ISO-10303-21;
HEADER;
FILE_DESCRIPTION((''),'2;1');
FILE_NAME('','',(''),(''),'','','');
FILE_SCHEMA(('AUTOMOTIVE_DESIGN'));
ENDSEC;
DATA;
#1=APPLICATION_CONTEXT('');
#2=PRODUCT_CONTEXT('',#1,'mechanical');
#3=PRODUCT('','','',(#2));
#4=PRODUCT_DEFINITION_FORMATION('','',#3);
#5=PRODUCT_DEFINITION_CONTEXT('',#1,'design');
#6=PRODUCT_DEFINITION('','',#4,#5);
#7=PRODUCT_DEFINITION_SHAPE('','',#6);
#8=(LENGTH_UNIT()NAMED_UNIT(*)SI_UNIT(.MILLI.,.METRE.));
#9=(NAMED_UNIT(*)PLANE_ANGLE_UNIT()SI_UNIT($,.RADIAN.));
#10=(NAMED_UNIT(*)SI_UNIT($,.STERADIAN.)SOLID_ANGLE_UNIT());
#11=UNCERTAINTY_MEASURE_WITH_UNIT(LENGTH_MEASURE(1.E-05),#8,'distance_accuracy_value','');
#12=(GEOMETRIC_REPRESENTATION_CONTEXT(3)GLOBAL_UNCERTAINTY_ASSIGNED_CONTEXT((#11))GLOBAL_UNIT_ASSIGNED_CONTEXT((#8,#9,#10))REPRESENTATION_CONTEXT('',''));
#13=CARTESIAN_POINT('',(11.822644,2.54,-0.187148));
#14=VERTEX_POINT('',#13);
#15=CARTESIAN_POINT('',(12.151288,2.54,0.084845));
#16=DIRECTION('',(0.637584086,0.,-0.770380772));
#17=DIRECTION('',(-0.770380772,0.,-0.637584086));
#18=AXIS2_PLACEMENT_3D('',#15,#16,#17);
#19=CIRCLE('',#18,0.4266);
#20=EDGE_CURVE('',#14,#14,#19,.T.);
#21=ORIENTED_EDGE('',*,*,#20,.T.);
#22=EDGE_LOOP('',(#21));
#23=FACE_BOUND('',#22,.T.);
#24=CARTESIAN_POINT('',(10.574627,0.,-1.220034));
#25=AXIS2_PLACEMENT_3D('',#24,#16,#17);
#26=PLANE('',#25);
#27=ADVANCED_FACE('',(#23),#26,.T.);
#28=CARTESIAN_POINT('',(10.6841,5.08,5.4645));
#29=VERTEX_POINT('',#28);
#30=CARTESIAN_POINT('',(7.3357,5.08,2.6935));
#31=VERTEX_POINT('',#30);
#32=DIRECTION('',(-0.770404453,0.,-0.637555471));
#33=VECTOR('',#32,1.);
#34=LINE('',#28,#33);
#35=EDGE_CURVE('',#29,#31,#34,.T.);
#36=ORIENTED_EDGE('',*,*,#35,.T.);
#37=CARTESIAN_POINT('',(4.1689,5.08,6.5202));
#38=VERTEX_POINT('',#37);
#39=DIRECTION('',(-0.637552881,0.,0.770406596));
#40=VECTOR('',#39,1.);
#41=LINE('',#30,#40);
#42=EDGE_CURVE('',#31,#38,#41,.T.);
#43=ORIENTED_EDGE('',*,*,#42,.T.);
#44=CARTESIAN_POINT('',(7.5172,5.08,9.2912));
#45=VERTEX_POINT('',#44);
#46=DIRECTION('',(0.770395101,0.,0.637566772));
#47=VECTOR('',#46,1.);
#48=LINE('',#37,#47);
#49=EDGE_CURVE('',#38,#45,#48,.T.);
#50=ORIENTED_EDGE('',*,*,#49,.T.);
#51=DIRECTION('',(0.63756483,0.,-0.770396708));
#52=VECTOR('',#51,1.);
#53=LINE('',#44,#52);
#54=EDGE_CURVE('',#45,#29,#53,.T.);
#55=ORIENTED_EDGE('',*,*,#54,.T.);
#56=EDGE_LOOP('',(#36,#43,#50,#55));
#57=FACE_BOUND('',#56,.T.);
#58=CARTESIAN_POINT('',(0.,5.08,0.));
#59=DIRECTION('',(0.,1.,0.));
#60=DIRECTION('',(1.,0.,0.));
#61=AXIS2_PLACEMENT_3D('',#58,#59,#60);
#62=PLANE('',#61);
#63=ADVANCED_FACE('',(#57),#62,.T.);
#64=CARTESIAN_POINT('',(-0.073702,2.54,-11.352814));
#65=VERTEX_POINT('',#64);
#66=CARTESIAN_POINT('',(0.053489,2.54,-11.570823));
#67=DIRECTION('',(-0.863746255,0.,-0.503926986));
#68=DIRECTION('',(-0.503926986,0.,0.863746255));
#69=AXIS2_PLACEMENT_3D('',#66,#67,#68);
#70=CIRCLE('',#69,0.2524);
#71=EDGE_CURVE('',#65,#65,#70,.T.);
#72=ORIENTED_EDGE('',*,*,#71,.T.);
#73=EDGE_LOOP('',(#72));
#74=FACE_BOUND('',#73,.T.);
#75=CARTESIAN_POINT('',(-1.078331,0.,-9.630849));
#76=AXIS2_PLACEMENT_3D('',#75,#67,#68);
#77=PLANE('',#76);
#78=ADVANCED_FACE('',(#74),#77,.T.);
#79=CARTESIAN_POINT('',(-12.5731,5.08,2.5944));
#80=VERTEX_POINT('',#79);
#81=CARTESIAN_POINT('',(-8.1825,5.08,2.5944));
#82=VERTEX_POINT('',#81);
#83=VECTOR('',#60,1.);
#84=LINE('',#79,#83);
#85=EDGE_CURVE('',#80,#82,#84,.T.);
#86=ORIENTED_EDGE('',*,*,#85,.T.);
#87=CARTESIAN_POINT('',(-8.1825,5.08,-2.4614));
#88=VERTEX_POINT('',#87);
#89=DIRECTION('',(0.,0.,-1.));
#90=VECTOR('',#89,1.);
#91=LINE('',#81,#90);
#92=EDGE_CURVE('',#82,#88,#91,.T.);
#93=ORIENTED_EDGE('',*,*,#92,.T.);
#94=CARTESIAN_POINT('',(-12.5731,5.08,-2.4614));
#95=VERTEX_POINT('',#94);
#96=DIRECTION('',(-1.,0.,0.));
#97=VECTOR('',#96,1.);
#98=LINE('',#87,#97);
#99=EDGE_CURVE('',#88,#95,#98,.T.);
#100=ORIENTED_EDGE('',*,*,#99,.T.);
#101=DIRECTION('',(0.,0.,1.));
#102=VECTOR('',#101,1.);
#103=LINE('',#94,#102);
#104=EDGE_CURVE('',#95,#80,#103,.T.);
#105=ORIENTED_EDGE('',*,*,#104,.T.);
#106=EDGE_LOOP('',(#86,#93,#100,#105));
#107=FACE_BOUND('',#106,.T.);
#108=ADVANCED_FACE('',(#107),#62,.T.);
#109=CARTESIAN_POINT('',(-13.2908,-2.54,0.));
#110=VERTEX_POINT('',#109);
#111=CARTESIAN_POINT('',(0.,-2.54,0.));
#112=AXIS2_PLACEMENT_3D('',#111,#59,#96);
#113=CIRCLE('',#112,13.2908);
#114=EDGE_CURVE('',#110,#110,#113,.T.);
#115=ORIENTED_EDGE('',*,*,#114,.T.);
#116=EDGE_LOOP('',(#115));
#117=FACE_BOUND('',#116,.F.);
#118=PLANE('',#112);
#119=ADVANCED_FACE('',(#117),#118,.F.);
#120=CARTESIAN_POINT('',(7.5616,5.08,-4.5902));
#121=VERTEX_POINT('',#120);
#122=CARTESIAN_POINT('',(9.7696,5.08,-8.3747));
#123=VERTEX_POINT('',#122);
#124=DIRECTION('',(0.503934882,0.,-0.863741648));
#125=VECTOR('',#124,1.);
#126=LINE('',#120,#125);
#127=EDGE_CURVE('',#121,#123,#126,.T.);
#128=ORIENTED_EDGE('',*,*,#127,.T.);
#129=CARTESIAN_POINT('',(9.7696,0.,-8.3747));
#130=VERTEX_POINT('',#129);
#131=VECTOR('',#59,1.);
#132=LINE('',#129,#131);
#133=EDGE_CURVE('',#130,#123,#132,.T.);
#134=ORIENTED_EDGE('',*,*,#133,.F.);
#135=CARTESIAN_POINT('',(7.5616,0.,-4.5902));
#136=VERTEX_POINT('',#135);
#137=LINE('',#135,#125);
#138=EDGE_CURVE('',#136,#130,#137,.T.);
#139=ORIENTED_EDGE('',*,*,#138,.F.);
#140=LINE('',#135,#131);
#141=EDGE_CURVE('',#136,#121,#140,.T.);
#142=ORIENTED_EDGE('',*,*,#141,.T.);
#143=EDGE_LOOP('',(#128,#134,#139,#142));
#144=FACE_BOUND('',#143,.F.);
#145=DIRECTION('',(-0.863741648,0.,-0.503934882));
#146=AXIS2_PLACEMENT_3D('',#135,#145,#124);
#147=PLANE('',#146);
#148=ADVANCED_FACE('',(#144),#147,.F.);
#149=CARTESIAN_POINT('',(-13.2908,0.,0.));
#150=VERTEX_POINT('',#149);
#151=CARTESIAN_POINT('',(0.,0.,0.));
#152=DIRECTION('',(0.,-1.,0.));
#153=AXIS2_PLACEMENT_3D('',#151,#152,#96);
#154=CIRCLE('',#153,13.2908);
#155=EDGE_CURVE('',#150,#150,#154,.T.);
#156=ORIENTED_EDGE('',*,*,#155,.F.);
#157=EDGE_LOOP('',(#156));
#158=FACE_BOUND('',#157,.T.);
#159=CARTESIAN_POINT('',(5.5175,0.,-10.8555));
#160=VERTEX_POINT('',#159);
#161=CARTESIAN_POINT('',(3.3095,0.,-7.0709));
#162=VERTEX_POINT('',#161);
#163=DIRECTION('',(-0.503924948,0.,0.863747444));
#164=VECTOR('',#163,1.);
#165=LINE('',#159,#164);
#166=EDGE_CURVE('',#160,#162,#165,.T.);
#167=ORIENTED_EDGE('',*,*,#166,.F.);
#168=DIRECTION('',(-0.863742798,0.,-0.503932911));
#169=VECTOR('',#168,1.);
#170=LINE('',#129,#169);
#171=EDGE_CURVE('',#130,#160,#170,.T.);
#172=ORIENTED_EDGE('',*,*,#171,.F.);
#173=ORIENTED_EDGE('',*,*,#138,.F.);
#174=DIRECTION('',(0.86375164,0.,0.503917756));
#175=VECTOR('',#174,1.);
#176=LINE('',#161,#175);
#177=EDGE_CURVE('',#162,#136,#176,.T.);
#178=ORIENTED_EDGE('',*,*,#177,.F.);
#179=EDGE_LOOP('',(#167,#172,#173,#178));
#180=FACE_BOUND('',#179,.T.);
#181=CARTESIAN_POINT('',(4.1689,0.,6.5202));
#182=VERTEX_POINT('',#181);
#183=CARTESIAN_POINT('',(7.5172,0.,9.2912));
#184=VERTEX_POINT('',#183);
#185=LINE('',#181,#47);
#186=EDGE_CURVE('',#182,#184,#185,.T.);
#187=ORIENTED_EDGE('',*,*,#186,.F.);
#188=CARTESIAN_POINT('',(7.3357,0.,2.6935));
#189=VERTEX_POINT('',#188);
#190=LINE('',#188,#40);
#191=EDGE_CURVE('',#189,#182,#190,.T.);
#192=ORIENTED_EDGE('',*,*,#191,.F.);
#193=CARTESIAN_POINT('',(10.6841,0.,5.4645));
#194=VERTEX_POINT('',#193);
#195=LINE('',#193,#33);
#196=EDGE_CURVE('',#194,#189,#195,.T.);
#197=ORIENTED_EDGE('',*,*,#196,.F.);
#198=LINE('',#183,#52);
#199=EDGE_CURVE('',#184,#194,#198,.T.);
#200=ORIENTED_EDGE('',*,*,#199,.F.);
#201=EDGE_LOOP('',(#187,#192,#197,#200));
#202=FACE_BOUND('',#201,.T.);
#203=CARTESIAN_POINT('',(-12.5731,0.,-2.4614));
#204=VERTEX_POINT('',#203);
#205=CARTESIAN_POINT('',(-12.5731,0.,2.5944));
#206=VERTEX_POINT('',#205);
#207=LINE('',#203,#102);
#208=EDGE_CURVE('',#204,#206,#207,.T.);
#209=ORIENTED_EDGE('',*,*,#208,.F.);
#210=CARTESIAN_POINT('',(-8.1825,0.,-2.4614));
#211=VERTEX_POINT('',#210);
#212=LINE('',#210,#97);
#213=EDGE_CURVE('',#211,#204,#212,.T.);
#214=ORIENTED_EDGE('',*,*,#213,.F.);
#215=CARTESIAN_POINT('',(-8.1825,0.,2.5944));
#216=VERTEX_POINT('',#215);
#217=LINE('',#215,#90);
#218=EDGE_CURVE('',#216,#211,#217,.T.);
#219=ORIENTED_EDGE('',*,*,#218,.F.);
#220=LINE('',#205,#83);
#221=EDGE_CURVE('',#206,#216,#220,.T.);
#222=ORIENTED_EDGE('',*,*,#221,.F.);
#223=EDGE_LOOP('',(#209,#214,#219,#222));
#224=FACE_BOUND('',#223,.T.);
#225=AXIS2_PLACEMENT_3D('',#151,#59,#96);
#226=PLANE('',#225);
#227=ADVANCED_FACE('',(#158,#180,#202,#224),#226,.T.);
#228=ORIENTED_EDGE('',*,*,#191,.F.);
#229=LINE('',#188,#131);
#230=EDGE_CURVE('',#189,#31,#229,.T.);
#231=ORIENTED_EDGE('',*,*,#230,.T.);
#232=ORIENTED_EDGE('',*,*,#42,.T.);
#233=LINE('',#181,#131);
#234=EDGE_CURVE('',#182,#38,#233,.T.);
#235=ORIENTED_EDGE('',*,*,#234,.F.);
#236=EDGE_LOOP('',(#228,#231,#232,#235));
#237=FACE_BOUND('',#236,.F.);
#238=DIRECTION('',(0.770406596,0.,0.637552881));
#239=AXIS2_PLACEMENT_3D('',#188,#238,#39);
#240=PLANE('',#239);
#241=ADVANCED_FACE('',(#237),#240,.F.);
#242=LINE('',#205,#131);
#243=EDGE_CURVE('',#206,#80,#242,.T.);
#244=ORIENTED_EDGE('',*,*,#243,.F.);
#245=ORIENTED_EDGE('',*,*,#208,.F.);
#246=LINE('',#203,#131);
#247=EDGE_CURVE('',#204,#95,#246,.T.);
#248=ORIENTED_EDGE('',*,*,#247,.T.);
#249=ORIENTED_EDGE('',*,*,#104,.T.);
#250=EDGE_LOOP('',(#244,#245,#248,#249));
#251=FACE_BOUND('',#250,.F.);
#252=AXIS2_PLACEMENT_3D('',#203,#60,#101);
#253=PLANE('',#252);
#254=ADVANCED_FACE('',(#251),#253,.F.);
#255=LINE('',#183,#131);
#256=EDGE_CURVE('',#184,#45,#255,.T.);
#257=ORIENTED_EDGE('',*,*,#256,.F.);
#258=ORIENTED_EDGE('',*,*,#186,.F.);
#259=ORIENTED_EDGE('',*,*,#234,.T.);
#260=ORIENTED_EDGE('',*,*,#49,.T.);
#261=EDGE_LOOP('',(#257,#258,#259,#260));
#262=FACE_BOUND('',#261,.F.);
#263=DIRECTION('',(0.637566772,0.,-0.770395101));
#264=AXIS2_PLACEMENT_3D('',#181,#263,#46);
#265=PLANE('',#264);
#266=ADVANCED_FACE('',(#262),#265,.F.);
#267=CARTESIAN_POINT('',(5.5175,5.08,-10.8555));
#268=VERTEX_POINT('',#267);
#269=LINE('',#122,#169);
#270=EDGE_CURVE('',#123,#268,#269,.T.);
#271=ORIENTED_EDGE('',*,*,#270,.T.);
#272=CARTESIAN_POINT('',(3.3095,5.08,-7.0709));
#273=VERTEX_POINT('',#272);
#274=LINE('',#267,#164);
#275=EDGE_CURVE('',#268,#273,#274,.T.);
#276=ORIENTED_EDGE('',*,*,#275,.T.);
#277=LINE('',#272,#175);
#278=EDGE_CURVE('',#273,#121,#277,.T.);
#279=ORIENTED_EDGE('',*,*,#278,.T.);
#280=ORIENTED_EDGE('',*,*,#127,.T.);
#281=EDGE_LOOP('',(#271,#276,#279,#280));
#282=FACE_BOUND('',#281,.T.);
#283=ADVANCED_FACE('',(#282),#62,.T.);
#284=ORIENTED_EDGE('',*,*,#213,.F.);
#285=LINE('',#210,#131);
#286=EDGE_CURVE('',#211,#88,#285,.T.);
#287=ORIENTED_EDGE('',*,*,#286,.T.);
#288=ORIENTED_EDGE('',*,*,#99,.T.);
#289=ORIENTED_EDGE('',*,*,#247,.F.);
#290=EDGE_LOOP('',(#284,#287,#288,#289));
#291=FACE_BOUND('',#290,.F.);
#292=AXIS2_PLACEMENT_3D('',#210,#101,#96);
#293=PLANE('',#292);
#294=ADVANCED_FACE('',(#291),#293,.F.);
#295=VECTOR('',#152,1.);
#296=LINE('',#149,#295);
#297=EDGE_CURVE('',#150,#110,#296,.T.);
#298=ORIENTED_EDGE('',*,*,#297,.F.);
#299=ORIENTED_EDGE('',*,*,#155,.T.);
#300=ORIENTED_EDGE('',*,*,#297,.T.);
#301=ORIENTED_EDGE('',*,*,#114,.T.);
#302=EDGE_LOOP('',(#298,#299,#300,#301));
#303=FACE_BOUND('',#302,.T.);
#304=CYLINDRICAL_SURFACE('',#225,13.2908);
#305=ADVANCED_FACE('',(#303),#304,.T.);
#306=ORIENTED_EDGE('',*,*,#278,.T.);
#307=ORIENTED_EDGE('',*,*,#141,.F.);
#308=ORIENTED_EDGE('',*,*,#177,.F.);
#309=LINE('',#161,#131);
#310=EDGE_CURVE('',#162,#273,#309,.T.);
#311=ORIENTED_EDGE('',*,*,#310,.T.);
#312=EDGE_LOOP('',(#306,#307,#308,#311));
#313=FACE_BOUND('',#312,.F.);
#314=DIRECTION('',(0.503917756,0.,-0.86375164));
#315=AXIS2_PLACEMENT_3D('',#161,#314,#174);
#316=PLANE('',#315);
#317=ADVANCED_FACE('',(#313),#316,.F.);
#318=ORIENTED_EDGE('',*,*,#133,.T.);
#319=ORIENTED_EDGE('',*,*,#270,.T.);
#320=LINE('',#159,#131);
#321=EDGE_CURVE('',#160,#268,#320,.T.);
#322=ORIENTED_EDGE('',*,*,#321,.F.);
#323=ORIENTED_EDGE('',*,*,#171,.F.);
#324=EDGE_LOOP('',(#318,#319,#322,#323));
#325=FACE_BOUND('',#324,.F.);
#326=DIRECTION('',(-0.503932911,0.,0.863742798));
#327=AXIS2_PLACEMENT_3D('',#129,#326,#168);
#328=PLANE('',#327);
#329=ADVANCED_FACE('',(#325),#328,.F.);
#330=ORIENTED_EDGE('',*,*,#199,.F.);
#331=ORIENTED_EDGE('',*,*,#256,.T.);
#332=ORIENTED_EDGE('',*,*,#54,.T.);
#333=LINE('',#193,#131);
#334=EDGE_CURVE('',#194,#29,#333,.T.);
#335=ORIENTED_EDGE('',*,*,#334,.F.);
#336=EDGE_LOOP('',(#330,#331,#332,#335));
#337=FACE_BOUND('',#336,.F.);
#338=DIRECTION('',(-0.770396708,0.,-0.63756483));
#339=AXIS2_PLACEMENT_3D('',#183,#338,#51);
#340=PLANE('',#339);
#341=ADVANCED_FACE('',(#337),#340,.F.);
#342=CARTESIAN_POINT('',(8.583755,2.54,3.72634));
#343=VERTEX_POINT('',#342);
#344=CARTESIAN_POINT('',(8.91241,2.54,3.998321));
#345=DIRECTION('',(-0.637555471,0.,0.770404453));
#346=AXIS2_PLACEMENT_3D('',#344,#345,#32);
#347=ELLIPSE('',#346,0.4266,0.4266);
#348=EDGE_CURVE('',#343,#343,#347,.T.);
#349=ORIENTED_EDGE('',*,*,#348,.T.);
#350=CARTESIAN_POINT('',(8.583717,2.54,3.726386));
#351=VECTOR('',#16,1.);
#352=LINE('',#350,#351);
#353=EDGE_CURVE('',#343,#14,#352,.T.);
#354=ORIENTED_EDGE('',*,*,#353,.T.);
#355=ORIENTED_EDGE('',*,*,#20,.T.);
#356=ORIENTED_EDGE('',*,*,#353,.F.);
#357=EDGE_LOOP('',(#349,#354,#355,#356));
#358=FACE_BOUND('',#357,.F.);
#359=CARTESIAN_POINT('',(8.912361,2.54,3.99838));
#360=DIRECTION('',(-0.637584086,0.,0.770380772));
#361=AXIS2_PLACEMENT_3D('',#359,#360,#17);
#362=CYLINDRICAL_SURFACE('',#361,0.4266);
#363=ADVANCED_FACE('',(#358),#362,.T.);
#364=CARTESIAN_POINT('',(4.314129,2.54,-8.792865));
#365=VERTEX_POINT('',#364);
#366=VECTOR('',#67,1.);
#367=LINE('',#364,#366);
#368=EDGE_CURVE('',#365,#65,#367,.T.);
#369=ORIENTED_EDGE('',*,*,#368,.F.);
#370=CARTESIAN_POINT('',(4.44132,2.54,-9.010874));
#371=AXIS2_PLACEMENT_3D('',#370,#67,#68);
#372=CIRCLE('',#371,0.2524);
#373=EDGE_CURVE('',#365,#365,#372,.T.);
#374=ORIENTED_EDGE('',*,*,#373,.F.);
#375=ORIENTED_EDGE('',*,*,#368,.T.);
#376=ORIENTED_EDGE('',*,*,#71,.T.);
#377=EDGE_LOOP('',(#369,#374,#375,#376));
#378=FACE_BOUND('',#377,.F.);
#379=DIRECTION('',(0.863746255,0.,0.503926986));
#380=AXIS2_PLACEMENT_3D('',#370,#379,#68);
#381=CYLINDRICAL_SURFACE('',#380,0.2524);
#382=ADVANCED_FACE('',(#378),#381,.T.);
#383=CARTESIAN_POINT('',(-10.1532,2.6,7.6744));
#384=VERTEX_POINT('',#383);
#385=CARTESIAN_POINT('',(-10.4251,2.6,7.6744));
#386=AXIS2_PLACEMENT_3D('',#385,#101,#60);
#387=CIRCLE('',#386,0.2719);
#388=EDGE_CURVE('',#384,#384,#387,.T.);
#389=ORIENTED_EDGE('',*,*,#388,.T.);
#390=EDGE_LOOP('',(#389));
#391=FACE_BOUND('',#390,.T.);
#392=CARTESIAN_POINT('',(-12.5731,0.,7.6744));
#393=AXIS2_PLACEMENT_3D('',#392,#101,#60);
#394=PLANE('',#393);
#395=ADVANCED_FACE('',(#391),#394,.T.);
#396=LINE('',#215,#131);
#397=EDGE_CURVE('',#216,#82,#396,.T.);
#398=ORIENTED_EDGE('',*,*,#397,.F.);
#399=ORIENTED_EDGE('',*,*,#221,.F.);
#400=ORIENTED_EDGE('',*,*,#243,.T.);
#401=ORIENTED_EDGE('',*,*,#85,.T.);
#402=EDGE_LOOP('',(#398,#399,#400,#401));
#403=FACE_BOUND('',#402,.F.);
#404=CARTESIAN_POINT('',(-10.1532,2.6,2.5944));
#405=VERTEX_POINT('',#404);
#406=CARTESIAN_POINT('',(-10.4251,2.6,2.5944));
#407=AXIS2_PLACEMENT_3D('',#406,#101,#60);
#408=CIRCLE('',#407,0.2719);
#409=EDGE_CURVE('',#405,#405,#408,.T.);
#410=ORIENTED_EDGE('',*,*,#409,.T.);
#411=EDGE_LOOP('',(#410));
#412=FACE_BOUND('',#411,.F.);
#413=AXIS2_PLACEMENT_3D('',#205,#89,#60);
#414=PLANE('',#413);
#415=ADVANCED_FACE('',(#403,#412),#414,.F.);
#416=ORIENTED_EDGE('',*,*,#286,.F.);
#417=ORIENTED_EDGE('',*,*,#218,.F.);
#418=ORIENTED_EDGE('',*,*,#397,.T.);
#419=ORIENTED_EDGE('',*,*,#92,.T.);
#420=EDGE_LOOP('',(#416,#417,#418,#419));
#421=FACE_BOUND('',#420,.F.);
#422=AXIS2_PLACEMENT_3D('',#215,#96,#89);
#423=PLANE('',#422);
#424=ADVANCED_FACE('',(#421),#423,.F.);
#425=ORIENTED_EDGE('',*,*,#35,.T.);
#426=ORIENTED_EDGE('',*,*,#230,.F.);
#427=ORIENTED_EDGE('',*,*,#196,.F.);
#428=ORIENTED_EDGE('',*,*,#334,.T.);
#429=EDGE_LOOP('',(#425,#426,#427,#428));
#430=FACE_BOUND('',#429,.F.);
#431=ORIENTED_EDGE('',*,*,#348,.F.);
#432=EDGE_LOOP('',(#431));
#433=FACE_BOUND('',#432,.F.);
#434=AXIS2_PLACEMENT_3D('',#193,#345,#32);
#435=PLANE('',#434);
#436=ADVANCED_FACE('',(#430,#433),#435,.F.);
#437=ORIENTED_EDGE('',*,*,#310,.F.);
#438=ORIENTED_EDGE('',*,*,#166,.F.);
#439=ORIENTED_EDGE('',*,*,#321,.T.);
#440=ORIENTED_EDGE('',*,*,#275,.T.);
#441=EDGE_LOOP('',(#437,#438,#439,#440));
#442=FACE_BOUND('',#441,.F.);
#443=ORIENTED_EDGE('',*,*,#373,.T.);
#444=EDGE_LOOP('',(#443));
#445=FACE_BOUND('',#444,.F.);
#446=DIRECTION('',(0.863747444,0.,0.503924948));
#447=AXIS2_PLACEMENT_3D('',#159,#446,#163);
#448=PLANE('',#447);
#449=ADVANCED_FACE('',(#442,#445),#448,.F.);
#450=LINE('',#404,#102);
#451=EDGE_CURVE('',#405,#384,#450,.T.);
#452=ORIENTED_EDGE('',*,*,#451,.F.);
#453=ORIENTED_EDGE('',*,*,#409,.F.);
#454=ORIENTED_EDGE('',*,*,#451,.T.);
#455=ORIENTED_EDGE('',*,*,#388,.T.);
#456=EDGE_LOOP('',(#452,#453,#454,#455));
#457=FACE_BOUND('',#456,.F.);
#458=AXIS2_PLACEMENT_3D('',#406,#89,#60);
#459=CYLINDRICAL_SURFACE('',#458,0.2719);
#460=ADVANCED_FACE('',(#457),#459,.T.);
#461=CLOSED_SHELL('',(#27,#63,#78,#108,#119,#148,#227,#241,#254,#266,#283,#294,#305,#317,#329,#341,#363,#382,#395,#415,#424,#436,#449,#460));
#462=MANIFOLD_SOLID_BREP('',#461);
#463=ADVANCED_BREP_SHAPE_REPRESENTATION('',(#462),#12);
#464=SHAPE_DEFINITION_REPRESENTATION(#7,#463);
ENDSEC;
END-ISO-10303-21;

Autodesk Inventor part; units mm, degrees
ref_plane "YZ Plane" through (0, 0, 0) normal (1, 0, 0) x (0, 1, 0)
ref_plane "XZ Plane" through (0, 0, 0) normal (0, 1, 0) x (-1, 0, 0)
ref_plane "XY Plane" through (0, 0, 0) normal (0, 0, 1) x (1, 0, 0)
sketch "Sketch1" plane through (0, 0, 0) normal (0, 1, 0) x (-1, 0, 0)
  circle A0 centre (0, 0) radius 13.2908
  line L0 (0, 0) -> (-6.6454, 11.5102)
  line L1 (0, 0) -> (13.2908, 0) construction
  line L2 (0, 0) -> (-6.6454, -11.5102)
extrude "Extrusion1" add sketch "Sketch1" against normal blind 2.54
sketch "Sketch2" plane through (0, 0, 0) normal (0, 1, 0) x (1, 0, 0)
  line L0 (-12.5731, -2.5944) -> (-8.1825, -2.5944)
  line L1 (-8.1825, -2.5944) -> (-8.1825, 2.4614)
  line L2 (-8.1825, 2.4614) -> (-12.5731, 2.4614)
  line L3 (-12.5731, 2.4614) -> (-12.5731, -2.5944)
  line L4 (4.1689, -6.5202) -> (7.5172, -9.2912)
  line L5 (7.5172, -9.2912) -> (10.6841, -5.4645)
  line L6 (10.6841, -5.4645) -> (7.3357, -2.6935)
  line L7 (7.3357, -2.6935) -> (4.1689, -6.5202)
  line L8 (5.5175, 10.8555) -> (3.3095, 7.0709)
  line L9 (3.3095, 7.0709) -> (7.5616, 4.5902)
  line L10 (7.5616, 4.5902) -> (9.7696, 8.3747)
  line L11 (9.7696, 8.3747) -> (5.5175, 10.8555)
  point P0 (0, 0)
extrude "Extrusion2" add sketch "Sketch2" along normal blind 5.08
sketch "Sketch3" plane through (7.3357, 0, 2.6935) normal (0.6376, 0, -0.7704) x (-0.7704, 0, -0.6376)
  circle A0 centre (-2.0466, 2.54) radius 0.4266
  point P0 (7.3687, 0)
extrude "Extrusion3" add sketch "Sketch3" along normal blind 5.08
sketch "Sketch4" plane through (3.3095, 0, -7.0709) normal (-0.8637, 0, -0.5039) x (-0.5039, 0, 0.8637)
  circle A0 centre (-2.246, 2.54) radius 0.2524
  point P0 (7.7752, 0)
extrude "Extrusion4" add sketch "Sketch4" along normal blind 5.08
sketch "Sketch5" plane through (-12.5731, 0, 2.5944) normal (0, 0, 1) x (1, 0, 0)
  circle A0 centre (2.148, 2.6) radius 0.2719
  point P0 (12.5731, 0)
extrude "Extrusion5" add sketch "Sketch5" along normal blind 5.08
sketch "Sketch6" plane through (0, 0, 0) normal (0, 1, 0) x (1, 0, 0)
  point P0 (0, 0)
properties part number "Base"
